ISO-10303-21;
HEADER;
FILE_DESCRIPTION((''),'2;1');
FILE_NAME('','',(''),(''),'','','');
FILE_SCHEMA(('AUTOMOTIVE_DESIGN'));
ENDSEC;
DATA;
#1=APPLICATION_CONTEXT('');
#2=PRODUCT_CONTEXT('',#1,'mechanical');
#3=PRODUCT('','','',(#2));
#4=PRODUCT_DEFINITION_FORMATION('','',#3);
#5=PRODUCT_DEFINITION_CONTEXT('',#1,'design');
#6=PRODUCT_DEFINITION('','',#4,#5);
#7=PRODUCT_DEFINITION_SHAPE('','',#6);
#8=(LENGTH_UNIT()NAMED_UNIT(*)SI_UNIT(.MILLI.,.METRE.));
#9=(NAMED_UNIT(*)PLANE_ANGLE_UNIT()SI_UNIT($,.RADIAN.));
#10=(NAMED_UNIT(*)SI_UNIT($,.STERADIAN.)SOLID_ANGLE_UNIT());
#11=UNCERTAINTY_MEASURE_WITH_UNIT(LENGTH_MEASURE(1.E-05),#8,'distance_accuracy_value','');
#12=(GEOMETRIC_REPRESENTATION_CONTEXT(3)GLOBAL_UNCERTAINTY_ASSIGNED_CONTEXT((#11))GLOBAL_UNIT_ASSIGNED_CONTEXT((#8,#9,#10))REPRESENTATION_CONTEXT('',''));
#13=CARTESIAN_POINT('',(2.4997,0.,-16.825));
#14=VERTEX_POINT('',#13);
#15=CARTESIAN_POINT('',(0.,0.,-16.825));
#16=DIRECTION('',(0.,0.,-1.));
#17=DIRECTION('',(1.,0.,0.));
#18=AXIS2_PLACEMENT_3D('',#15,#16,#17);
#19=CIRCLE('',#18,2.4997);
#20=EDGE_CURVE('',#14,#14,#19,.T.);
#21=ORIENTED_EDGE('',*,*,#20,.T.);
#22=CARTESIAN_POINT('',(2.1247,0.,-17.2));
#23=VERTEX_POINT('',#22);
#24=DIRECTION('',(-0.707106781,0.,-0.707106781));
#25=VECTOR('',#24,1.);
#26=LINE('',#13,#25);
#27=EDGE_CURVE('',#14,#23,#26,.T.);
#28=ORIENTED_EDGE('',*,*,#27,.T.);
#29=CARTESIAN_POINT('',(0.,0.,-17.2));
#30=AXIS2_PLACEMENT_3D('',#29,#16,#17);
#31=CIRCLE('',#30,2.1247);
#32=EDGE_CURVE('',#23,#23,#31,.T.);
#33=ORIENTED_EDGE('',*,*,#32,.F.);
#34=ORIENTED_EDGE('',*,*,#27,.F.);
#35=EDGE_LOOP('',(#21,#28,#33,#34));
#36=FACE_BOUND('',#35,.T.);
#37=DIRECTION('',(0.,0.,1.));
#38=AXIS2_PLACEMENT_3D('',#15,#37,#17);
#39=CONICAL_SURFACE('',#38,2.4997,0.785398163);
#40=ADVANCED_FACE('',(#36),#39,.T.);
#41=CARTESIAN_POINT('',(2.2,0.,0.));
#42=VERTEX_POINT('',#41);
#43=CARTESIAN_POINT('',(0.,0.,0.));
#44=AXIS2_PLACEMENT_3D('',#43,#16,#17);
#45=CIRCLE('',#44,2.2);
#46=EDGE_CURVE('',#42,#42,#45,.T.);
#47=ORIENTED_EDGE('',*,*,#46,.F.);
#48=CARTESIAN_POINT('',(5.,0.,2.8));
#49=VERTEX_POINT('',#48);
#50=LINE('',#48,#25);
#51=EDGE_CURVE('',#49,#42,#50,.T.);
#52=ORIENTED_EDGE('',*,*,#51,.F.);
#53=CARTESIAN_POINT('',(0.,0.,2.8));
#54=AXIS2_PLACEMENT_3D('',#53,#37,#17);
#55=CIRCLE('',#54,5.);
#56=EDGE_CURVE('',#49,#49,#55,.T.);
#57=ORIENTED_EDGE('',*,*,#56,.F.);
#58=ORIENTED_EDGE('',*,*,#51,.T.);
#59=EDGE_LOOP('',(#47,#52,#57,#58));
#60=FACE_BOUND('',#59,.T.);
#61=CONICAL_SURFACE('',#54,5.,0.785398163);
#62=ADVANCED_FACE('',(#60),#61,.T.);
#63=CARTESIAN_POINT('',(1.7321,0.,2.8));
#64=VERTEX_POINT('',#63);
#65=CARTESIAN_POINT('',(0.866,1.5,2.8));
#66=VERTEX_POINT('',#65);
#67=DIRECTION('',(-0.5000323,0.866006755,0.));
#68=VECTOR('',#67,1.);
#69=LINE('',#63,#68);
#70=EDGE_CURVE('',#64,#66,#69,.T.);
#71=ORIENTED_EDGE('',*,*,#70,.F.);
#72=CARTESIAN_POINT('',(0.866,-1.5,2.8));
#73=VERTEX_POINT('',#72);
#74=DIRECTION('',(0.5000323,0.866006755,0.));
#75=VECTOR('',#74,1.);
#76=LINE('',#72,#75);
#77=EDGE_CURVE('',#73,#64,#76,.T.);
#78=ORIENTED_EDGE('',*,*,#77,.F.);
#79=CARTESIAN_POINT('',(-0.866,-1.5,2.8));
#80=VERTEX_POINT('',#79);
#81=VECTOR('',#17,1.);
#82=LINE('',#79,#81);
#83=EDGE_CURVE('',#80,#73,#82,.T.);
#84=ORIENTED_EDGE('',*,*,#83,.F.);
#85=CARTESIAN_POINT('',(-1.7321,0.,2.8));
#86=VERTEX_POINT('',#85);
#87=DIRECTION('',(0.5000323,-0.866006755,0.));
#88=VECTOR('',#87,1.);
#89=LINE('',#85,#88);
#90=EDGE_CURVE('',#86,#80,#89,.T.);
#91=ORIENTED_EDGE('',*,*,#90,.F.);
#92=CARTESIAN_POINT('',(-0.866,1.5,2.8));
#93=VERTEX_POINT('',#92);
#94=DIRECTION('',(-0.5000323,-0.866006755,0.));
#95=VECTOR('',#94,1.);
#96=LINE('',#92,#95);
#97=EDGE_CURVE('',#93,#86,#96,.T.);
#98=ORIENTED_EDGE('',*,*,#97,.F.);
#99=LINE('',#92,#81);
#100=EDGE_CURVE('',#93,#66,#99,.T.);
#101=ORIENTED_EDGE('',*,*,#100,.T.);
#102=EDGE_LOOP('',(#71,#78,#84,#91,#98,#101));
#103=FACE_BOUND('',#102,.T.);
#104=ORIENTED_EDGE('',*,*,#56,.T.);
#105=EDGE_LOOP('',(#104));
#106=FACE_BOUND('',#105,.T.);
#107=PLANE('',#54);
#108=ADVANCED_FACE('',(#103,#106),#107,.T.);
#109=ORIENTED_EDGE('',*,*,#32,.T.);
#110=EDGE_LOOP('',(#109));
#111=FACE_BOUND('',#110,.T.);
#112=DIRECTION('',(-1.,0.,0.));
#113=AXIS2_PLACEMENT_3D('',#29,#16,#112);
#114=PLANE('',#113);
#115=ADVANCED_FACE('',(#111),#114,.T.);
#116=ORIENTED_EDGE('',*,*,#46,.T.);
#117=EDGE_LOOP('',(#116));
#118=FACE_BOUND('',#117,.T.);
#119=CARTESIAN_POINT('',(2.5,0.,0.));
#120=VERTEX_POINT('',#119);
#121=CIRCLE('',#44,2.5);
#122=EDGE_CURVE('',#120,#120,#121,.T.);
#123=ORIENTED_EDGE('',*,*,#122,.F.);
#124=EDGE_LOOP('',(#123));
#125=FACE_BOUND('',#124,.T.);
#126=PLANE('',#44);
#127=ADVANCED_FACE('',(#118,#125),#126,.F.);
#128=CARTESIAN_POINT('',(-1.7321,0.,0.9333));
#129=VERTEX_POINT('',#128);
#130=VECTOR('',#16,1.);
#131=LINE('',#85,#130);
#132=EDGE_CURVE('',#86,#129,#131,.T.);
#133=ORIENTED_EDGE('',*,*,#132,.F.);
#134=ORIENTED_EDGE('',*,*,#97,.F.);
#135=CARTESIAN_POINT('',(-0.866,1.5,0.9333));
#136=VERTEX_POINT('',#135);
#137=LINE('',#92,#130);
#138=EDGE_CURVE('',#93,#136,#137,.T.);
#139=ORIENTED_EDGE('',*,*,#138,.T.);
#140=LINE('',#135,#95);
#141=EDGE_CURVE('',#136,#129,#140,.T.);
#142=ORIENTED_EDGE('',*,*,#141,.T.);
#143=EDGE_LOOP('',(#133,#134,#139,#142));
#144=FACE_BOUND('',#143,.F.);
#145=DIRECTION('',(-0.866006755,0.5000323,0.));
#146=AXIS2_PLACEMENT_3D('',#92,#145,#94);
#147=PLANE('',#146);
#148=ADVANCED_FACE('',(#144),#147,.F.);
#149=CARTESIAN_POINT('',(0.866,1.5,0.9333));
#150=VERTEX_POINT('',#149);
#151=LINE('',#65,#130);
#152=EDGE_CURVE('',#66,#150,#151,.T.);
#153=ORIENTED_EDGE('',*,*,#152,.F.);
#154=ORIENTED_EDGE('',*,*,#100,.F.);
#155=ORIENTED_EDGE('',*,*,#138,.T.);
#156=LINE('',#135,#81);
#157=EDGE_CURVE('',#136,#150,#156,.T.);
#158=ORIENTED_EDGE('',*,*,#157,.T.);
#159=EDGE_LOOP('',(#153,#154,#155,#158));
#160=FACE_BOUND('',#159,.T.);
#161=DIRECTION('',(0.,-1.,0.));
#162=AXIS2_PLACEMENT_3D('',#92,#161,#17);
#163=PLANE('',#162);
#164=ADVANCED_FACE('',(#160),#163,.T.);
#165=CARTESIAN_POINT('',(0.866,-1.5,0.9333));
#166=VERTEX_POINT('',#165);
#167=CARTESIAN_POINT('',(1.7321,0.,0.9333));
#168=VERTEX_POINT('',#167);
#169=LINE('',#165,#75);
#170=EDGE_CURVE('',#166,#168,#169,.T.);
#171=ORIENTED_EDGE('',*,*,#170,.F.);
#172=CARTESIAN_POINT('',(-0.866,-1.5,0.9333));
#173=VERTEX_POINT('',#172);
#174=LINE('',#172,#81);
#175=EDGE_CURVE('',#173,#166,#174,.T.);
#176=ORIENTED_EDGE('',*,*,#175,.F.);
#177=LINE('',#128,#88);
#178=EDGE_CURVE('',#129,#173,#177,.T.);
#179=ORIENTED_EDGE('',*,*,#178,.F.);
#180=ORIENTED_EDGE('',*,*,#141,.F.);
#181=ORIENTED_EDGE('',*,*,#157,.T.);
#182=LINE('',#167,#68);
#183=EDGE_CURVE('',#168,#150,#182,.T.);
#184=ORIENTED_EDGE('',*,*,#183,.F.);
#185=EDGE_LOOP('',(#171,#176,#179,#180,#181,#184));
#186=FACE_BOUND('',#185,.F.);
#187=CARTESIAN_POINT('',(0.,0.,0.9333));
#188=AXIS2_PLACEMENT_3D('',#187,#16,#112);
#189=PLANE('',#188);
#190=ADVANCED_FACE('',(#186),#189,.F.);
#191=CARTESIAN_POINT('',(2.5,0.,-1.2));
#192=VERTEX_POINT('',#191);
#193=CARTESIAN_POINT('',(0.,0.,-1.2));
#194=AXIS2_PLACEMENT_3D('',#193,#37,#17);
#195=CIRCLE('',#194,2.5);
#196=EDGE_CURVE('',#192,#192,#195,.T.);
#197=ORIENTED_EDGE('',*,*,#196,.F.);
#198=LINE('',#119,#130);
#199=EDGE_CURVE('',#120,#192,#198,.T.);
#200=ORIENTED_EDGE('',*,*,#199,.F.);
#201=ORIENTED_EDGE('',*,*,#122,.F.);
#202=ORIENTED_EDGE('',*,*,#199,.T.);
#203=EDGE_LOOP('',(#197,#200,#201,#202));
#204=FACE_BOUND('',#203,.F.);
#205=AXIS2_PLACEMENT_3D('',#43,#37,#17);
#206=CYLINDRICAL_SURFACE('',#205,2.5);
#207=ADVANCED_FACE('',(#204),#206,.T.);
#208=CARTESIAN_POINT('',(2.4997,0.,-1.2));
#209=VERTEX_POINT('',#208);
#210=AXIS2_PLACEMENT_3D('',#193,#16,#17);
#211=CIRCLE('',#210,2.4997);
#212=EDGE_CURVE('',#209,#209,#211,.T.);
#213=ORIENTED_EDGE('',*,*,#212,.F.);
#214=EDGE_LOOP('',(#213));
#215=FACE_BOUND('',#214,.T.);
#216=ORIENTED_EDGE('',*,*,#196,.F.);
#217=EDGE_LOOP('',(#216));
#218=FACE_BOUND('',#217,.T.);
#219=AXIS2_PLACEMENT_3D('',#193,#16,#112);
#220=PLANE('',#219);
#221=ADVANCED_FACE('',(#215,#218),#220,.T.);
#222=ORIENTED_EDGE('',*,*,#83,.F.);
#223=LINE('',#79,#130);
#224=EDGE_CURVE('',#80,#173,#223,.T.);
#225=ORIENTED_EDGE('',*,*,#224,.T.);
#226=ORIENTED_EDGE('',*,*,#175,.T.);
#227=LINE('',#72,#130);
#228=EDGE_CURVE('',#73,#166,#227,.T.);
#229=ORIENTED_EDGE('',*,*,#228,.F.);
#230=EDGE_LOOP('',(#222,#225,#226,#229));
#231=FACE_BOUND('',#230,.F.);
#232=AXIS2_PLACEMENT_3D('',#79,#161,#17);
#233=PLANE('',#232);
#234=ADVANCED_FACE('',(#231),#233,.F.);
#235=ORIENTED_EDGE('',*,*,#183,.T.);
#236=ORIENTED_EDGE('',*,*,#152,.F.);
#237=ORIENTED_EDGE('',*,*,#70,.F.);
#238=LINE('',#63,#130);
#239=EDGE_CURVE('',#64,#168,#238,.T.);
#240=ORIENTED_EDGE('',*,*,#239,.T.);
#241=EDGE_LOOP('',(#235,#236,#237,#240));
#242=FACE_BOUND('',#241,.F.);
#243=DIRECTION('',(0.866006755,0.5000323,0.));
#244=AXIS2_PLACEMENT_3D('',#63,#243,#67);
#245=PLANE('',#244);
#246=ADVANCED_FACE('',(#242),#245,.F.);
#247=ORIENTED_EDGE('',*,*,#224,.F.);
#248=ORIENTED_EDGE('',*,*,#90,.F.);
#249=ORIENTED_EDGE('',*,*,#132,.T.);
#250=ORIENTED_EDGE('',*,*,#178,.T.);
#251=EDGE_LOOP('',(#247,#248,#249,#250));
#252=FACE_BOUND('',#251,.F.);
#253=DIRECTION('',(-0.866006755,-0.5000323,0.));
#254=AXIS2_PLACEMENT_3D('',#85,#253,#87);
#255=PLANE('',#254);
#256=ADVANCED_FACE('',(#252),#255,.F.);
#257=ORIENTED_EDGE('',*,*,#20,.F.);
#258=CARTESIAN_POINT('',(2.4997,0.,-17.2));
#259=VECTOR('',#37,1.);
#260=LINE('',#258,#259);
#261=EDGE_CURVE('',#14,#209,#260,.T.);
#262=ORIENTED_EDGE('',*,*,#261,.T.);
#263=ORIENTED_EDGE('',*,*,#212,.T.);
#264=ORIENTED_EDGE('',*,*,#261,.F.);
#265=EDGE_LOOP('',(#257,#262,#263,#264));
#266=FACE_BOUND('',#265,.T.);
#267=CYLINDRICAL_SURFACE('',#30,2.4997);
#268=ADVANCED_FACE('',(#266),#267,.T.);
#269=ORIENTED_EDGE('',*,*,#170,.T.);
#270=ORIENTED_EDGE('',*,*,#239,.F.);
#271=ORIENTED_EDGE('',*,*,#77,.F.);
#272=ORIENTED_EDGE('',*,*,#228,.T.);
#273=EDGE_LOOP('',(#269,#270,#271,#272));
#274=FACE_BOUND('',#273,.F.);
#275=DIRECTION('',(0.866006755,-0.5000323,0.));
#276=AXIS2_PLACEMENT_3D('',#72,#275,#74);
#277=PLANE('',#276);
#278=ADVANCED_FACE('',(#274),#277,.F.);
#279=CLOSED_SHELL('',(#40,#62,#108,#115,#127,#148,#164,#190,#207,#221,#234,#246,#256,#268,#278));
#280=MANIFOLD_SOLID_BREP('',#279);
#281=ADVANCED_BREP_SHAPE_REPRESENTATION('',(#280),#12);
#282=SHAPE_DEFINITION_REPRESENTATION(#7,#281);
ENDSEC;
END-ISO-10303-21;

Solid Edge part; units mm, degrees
sketch "Sketch1" plane through (0, 0, 0) normal (0, 0, 1) x (1, 0, 0)
  circle A0 centre (0, 0) radius 5
  dimension "D1" = 10
extrude "Protrusion1" add sketch "Sketch1" along normal blind 2.8
sketch "Sketch2" plane through (0, 0, 0) normal (0, 0, -1) x (1, 0, 0)
  circle A0 centre (0, 0) radius 2.5
extrude "Protrusion2" add sketch "Sketch2" along normal blind 17.2
sketch "Sketch3" plane through (0, 0, -17.2) normal (0, 0, -1) x (1, 0, 0)
  circle A0 centre (0, 0) radius 2.4997
extrude "Cutout1" cut sketch "Sketch3" against normal blind 16 flip side to cut
chamfer "Chamfer_1" distance 0.375 angle 45 1 edges at (-2.4997, 0, -17.2)
sketch "Sketch4" plane through (0, 0, 2.8) normal (0, 0, 1) x (1, 0, 0)
  line L0 (-0.866, 1.5) -> (0.866, 1.5)
  line L1 (1.7321, 0) -> (0.866, 1.5)
  line L2 (0.866, -1.5) -> (1.7321, 0)
  line L3 (-0.866, -1.5) -> (0.866, -1.5)
  line L4 (-1.7321, 0) -> (-0.866, -1.5)
  line L5 (-0.866, 1.5) -> (-1.7321, 0)
  dimension "D1" = 3
extrude "Cutout2" cut sketch "Sketch4" against normal blind 1.8667
sketch "Sketch5" plane through (0, 0, 0) normal (0, -1, 0) x (1, 0, 0)
  line L0 (5, 2.8) -> (2.2, 0)
  line L1 (2.2, 0) -> (5, 0)
  line L2 (5, 0) -> (5, 2.8)
revolve "RevolvedCutout1" cut sketch "Sketch5" angle 360 about axis through (0, 0, 14.0017) along (0, 0, -1)
properties part number "24104830"
